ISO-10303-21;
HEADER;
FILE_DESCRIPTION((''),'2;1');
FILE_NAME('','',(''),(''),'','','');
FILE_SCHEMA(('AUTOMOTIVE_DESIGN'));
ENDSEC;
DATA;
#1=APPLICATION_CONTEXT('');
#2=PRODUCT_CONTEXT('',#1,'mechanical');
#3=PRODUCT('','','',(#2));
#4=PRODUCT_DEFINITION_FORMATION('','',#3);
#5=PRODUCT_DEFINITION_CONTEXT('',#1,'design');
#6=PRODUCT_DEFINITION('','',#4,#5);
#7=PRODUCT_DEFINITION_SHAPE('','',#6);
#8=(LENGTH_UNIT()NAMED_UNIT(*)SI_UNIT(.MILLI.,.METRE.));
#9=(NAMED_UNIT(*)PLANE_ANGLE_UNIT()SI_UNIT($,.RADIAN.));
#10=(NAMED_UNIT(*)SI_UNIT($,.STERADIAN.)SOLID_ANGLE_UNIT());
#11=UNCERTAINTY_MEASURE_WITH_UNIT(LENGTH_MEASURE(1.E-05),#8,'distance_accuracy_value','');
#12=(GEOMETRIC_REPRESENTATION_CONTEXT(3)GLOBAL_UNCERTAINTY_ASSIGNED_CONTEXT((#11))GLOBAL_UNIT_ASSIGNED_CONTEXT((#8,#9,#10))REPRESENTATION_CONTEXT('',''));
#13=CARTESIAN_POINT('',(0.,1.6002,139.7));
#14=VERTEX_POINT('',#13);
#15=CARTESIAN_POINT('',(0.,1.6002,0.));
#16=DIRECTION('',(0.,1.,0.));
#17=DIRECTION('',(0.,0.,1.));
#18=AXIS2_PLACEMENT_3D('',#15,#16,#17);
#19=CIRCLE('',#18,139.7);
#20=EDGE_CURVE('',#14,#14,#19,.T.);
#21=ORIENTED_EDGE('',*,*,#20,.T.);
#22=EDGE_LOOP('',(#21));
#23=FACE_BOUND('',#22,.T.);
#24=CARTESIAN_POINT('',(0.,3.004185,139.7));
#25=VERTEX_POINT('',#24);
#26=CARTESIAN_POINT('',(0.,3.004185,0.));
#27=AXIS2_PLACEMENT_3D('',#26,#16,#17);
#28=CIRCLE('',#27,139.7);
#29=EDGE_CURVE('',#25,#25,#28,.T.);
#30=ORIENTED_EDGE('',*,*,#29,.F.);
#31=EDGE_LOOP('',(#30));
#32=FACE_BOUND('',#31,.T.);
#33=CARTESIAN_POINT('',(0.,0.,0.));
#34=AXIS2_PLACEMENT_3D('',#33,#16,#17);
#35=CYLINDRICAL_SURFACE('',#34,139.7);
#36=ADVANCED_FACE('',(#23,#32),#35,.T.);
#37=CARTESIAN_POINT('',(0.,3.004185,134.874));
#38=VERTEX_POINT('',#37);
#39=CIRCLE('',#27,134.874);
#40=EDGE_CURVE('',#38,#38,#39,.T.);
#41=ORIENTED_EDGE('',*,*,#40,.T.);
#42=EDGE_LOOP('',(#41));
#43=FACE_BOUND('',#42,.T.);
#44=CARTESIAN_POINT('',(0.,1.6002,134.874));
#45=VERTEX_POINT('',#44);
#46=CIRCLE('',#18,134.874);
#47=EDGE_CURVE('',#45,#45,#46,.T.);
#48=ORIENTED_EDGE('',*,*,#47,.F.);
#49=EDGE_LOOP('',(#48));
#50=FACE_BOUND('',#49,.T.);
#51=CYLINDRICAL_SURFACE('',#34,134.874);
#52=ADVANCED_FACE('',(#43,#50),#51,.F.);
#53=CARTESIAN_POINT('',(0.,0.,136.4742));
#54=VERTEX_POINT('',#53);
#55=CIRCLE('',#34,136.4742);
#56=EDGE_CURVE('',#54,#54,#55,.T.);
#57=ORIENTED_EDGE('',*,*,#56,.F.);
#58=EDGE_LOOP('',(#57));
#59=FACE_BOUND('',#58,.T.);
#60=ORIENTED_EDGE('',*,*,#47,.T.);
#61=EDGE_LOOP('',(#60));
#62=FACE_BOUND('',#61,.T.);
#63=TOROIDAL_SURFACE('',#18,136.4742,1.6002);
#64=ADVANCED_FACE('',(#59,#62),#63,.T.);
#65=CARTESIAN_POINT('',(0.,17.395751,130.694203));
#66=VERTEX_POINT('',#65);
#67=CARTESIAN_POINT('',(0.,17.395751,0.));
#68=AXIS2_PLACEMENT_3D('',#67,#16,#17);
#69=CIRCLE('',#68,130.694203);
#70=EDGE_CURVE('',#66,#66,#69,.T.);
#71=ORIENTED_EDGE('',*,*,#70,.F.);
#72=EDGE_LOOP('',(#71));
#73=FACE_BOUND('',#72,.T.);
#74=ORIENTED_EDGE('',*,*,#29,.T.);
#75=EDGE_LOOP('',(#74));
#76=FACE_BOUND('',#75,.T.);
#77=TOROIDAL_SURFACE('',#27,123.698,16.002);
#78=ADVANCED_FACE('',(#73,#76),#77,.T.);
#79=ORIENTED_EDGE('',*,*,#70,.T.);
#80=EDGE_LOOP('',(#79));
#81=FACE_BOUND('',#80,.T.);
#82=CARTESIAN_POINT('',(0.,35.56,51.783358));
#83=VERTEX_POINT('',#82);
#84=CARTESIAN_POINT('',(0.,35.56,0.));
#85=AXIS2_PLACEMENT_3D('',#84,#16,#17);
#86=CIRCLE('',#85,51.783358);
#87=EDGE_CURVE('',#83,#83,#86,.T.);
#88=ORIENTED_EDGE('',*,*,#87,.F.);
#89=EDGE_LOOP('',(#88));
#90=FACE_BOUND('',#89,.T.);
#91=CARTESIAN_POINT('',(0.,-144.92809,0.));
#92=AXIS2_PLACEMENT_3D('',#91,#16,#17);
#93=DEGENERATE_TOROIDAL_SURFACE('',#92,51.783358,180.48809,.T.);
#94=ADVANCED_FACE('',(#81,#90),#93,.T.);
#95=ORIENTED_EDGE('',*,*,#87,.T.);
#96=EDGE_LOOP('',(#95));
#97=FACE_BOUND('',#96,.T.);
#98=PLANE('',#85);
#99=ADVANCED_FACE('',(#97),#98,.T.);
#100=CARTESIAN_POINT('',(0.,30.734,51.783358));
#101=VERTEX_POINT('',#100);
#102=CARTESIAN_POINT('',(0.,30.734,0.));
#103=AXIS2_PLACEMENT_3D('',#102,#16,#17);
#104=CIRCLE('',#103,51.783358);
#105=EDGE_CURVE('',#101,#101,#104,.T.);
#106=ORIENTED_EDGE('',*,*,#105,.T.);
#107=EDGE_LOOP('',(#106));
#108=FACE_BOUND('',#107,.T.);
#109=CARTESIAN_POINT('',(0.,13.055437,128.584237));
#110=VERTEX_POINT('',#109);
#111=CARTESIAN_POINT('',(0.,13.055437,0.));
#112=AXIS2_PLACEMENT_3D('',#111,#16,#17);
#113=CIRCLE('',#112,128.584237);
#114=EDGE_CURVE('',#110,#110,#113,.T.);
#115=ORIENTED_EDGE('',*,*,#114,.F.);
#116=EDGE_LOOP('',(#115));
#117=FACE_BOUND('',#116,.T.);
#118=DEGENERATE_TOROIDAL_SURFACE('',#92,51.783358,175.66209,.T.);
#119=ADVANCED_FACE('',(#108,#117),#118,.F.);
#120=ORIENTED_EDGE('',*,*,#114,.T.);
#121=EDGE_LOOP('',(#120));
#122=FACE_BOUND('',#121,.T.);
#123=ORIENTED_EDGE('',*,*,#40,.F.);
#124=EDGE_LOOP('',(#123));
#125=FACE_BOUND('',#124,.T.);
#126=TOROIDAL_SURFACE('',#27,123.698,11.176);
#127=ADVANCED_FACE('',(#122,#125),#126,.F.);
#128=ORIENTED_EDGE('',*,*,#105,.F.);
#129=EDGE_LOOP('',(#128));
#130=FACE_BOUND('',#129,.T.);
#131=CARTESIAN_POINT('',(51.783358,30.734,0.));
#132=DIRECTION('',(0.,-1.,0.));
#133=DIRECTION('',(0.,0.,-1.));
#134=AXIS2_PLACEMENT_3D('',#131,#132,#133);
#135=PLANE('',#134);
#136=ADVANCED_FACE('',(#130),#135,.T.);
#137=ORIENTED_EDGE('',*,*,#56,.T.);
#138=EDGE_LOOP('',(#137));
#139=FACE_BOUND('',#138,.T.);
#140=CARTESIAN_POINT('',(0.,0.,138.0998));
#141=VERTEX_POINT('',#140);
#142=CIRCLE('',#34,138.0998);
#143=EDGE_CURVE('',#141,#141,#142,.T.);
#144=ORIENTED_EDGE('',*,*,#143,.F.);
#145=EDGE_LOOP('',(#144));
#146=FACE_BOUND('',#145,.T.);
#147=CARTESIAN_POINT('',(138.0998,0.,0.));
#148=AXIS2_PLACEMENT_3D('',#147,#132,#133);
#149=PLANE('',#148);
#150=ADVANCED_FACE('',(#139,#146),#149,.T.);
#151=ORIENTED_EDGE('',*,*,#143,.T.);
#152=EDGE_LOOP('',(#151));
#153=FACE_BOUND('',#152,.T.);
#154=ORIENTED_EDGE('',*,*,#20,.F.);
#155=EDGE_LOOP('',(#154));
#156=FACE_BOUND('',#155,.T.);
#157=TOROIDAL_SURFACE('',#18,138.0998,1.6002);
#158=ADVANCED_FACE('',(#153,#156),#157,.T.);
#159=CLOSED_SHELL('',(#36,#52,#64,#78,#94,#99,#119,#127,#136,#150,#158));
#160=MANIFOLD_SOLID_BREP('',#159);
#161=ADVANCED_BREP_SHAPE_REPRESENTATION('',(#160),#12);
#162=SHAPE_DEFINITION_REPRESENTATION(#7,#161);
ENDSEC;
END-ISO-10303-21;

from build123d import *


with BuildPart() as part:
    # Sketch1 → Revolve1 (revolve)
    with BuildSketch(Plane(origin=(0, 0, 0), x_dir=(-1, 0, 0), z_dir=(0, 0, -1)), mode=Mode.PRIVATE) as revolve1_sk:
        with BuildLine():
            Line((-51.783358403, 30.734), (0, 30.734))
            Line((0, 30.734), (0, 35.56))
            Line((0, 35.56), (-51.783358403, 35.56))
            ThreePointArc((-51.783358403, 35.56), (-92.270582842, 30.960327151), (-130.694203117, 17.39575056))
            ThreePointArc((-130.694203117, 17.39575056), (-137.262977816, 11.492729559), (-139.7, 3.004185463))
            Line((-139.7, 3.004185463), (-139.7, 1.6002))
            ThreePointArc((-139.7, 1.6002), (-139.231312271, 0.468687729), (-138.0998, 0))
            Line((-138.0998, 0), (-136.4742, 0))
            ThreePointArc((-136.4742, 0), (-135.342687729, 0.468687729), (-134.874, 1.6002))
            Line((-134.874, 1.6002), (-134.874, 3.004185463))
            ThreePointArc((-134.874, 3.004185463), (-133.17195276, 8.932692451), (-128.584237098, 13.055437277))
            ThreePointArc((-128.584237098, 13.055437277), (-91.188010883, 26.257315993), (-51.783358403, 30.734))
        make_face()
    revolve(revolve1_sk.sketch.rotate(Axis((0, 0, 0), (0, 1, 0)), 270), axis=Axis((0, 0, 0), (0, 1, 0)))


solid = part.part
